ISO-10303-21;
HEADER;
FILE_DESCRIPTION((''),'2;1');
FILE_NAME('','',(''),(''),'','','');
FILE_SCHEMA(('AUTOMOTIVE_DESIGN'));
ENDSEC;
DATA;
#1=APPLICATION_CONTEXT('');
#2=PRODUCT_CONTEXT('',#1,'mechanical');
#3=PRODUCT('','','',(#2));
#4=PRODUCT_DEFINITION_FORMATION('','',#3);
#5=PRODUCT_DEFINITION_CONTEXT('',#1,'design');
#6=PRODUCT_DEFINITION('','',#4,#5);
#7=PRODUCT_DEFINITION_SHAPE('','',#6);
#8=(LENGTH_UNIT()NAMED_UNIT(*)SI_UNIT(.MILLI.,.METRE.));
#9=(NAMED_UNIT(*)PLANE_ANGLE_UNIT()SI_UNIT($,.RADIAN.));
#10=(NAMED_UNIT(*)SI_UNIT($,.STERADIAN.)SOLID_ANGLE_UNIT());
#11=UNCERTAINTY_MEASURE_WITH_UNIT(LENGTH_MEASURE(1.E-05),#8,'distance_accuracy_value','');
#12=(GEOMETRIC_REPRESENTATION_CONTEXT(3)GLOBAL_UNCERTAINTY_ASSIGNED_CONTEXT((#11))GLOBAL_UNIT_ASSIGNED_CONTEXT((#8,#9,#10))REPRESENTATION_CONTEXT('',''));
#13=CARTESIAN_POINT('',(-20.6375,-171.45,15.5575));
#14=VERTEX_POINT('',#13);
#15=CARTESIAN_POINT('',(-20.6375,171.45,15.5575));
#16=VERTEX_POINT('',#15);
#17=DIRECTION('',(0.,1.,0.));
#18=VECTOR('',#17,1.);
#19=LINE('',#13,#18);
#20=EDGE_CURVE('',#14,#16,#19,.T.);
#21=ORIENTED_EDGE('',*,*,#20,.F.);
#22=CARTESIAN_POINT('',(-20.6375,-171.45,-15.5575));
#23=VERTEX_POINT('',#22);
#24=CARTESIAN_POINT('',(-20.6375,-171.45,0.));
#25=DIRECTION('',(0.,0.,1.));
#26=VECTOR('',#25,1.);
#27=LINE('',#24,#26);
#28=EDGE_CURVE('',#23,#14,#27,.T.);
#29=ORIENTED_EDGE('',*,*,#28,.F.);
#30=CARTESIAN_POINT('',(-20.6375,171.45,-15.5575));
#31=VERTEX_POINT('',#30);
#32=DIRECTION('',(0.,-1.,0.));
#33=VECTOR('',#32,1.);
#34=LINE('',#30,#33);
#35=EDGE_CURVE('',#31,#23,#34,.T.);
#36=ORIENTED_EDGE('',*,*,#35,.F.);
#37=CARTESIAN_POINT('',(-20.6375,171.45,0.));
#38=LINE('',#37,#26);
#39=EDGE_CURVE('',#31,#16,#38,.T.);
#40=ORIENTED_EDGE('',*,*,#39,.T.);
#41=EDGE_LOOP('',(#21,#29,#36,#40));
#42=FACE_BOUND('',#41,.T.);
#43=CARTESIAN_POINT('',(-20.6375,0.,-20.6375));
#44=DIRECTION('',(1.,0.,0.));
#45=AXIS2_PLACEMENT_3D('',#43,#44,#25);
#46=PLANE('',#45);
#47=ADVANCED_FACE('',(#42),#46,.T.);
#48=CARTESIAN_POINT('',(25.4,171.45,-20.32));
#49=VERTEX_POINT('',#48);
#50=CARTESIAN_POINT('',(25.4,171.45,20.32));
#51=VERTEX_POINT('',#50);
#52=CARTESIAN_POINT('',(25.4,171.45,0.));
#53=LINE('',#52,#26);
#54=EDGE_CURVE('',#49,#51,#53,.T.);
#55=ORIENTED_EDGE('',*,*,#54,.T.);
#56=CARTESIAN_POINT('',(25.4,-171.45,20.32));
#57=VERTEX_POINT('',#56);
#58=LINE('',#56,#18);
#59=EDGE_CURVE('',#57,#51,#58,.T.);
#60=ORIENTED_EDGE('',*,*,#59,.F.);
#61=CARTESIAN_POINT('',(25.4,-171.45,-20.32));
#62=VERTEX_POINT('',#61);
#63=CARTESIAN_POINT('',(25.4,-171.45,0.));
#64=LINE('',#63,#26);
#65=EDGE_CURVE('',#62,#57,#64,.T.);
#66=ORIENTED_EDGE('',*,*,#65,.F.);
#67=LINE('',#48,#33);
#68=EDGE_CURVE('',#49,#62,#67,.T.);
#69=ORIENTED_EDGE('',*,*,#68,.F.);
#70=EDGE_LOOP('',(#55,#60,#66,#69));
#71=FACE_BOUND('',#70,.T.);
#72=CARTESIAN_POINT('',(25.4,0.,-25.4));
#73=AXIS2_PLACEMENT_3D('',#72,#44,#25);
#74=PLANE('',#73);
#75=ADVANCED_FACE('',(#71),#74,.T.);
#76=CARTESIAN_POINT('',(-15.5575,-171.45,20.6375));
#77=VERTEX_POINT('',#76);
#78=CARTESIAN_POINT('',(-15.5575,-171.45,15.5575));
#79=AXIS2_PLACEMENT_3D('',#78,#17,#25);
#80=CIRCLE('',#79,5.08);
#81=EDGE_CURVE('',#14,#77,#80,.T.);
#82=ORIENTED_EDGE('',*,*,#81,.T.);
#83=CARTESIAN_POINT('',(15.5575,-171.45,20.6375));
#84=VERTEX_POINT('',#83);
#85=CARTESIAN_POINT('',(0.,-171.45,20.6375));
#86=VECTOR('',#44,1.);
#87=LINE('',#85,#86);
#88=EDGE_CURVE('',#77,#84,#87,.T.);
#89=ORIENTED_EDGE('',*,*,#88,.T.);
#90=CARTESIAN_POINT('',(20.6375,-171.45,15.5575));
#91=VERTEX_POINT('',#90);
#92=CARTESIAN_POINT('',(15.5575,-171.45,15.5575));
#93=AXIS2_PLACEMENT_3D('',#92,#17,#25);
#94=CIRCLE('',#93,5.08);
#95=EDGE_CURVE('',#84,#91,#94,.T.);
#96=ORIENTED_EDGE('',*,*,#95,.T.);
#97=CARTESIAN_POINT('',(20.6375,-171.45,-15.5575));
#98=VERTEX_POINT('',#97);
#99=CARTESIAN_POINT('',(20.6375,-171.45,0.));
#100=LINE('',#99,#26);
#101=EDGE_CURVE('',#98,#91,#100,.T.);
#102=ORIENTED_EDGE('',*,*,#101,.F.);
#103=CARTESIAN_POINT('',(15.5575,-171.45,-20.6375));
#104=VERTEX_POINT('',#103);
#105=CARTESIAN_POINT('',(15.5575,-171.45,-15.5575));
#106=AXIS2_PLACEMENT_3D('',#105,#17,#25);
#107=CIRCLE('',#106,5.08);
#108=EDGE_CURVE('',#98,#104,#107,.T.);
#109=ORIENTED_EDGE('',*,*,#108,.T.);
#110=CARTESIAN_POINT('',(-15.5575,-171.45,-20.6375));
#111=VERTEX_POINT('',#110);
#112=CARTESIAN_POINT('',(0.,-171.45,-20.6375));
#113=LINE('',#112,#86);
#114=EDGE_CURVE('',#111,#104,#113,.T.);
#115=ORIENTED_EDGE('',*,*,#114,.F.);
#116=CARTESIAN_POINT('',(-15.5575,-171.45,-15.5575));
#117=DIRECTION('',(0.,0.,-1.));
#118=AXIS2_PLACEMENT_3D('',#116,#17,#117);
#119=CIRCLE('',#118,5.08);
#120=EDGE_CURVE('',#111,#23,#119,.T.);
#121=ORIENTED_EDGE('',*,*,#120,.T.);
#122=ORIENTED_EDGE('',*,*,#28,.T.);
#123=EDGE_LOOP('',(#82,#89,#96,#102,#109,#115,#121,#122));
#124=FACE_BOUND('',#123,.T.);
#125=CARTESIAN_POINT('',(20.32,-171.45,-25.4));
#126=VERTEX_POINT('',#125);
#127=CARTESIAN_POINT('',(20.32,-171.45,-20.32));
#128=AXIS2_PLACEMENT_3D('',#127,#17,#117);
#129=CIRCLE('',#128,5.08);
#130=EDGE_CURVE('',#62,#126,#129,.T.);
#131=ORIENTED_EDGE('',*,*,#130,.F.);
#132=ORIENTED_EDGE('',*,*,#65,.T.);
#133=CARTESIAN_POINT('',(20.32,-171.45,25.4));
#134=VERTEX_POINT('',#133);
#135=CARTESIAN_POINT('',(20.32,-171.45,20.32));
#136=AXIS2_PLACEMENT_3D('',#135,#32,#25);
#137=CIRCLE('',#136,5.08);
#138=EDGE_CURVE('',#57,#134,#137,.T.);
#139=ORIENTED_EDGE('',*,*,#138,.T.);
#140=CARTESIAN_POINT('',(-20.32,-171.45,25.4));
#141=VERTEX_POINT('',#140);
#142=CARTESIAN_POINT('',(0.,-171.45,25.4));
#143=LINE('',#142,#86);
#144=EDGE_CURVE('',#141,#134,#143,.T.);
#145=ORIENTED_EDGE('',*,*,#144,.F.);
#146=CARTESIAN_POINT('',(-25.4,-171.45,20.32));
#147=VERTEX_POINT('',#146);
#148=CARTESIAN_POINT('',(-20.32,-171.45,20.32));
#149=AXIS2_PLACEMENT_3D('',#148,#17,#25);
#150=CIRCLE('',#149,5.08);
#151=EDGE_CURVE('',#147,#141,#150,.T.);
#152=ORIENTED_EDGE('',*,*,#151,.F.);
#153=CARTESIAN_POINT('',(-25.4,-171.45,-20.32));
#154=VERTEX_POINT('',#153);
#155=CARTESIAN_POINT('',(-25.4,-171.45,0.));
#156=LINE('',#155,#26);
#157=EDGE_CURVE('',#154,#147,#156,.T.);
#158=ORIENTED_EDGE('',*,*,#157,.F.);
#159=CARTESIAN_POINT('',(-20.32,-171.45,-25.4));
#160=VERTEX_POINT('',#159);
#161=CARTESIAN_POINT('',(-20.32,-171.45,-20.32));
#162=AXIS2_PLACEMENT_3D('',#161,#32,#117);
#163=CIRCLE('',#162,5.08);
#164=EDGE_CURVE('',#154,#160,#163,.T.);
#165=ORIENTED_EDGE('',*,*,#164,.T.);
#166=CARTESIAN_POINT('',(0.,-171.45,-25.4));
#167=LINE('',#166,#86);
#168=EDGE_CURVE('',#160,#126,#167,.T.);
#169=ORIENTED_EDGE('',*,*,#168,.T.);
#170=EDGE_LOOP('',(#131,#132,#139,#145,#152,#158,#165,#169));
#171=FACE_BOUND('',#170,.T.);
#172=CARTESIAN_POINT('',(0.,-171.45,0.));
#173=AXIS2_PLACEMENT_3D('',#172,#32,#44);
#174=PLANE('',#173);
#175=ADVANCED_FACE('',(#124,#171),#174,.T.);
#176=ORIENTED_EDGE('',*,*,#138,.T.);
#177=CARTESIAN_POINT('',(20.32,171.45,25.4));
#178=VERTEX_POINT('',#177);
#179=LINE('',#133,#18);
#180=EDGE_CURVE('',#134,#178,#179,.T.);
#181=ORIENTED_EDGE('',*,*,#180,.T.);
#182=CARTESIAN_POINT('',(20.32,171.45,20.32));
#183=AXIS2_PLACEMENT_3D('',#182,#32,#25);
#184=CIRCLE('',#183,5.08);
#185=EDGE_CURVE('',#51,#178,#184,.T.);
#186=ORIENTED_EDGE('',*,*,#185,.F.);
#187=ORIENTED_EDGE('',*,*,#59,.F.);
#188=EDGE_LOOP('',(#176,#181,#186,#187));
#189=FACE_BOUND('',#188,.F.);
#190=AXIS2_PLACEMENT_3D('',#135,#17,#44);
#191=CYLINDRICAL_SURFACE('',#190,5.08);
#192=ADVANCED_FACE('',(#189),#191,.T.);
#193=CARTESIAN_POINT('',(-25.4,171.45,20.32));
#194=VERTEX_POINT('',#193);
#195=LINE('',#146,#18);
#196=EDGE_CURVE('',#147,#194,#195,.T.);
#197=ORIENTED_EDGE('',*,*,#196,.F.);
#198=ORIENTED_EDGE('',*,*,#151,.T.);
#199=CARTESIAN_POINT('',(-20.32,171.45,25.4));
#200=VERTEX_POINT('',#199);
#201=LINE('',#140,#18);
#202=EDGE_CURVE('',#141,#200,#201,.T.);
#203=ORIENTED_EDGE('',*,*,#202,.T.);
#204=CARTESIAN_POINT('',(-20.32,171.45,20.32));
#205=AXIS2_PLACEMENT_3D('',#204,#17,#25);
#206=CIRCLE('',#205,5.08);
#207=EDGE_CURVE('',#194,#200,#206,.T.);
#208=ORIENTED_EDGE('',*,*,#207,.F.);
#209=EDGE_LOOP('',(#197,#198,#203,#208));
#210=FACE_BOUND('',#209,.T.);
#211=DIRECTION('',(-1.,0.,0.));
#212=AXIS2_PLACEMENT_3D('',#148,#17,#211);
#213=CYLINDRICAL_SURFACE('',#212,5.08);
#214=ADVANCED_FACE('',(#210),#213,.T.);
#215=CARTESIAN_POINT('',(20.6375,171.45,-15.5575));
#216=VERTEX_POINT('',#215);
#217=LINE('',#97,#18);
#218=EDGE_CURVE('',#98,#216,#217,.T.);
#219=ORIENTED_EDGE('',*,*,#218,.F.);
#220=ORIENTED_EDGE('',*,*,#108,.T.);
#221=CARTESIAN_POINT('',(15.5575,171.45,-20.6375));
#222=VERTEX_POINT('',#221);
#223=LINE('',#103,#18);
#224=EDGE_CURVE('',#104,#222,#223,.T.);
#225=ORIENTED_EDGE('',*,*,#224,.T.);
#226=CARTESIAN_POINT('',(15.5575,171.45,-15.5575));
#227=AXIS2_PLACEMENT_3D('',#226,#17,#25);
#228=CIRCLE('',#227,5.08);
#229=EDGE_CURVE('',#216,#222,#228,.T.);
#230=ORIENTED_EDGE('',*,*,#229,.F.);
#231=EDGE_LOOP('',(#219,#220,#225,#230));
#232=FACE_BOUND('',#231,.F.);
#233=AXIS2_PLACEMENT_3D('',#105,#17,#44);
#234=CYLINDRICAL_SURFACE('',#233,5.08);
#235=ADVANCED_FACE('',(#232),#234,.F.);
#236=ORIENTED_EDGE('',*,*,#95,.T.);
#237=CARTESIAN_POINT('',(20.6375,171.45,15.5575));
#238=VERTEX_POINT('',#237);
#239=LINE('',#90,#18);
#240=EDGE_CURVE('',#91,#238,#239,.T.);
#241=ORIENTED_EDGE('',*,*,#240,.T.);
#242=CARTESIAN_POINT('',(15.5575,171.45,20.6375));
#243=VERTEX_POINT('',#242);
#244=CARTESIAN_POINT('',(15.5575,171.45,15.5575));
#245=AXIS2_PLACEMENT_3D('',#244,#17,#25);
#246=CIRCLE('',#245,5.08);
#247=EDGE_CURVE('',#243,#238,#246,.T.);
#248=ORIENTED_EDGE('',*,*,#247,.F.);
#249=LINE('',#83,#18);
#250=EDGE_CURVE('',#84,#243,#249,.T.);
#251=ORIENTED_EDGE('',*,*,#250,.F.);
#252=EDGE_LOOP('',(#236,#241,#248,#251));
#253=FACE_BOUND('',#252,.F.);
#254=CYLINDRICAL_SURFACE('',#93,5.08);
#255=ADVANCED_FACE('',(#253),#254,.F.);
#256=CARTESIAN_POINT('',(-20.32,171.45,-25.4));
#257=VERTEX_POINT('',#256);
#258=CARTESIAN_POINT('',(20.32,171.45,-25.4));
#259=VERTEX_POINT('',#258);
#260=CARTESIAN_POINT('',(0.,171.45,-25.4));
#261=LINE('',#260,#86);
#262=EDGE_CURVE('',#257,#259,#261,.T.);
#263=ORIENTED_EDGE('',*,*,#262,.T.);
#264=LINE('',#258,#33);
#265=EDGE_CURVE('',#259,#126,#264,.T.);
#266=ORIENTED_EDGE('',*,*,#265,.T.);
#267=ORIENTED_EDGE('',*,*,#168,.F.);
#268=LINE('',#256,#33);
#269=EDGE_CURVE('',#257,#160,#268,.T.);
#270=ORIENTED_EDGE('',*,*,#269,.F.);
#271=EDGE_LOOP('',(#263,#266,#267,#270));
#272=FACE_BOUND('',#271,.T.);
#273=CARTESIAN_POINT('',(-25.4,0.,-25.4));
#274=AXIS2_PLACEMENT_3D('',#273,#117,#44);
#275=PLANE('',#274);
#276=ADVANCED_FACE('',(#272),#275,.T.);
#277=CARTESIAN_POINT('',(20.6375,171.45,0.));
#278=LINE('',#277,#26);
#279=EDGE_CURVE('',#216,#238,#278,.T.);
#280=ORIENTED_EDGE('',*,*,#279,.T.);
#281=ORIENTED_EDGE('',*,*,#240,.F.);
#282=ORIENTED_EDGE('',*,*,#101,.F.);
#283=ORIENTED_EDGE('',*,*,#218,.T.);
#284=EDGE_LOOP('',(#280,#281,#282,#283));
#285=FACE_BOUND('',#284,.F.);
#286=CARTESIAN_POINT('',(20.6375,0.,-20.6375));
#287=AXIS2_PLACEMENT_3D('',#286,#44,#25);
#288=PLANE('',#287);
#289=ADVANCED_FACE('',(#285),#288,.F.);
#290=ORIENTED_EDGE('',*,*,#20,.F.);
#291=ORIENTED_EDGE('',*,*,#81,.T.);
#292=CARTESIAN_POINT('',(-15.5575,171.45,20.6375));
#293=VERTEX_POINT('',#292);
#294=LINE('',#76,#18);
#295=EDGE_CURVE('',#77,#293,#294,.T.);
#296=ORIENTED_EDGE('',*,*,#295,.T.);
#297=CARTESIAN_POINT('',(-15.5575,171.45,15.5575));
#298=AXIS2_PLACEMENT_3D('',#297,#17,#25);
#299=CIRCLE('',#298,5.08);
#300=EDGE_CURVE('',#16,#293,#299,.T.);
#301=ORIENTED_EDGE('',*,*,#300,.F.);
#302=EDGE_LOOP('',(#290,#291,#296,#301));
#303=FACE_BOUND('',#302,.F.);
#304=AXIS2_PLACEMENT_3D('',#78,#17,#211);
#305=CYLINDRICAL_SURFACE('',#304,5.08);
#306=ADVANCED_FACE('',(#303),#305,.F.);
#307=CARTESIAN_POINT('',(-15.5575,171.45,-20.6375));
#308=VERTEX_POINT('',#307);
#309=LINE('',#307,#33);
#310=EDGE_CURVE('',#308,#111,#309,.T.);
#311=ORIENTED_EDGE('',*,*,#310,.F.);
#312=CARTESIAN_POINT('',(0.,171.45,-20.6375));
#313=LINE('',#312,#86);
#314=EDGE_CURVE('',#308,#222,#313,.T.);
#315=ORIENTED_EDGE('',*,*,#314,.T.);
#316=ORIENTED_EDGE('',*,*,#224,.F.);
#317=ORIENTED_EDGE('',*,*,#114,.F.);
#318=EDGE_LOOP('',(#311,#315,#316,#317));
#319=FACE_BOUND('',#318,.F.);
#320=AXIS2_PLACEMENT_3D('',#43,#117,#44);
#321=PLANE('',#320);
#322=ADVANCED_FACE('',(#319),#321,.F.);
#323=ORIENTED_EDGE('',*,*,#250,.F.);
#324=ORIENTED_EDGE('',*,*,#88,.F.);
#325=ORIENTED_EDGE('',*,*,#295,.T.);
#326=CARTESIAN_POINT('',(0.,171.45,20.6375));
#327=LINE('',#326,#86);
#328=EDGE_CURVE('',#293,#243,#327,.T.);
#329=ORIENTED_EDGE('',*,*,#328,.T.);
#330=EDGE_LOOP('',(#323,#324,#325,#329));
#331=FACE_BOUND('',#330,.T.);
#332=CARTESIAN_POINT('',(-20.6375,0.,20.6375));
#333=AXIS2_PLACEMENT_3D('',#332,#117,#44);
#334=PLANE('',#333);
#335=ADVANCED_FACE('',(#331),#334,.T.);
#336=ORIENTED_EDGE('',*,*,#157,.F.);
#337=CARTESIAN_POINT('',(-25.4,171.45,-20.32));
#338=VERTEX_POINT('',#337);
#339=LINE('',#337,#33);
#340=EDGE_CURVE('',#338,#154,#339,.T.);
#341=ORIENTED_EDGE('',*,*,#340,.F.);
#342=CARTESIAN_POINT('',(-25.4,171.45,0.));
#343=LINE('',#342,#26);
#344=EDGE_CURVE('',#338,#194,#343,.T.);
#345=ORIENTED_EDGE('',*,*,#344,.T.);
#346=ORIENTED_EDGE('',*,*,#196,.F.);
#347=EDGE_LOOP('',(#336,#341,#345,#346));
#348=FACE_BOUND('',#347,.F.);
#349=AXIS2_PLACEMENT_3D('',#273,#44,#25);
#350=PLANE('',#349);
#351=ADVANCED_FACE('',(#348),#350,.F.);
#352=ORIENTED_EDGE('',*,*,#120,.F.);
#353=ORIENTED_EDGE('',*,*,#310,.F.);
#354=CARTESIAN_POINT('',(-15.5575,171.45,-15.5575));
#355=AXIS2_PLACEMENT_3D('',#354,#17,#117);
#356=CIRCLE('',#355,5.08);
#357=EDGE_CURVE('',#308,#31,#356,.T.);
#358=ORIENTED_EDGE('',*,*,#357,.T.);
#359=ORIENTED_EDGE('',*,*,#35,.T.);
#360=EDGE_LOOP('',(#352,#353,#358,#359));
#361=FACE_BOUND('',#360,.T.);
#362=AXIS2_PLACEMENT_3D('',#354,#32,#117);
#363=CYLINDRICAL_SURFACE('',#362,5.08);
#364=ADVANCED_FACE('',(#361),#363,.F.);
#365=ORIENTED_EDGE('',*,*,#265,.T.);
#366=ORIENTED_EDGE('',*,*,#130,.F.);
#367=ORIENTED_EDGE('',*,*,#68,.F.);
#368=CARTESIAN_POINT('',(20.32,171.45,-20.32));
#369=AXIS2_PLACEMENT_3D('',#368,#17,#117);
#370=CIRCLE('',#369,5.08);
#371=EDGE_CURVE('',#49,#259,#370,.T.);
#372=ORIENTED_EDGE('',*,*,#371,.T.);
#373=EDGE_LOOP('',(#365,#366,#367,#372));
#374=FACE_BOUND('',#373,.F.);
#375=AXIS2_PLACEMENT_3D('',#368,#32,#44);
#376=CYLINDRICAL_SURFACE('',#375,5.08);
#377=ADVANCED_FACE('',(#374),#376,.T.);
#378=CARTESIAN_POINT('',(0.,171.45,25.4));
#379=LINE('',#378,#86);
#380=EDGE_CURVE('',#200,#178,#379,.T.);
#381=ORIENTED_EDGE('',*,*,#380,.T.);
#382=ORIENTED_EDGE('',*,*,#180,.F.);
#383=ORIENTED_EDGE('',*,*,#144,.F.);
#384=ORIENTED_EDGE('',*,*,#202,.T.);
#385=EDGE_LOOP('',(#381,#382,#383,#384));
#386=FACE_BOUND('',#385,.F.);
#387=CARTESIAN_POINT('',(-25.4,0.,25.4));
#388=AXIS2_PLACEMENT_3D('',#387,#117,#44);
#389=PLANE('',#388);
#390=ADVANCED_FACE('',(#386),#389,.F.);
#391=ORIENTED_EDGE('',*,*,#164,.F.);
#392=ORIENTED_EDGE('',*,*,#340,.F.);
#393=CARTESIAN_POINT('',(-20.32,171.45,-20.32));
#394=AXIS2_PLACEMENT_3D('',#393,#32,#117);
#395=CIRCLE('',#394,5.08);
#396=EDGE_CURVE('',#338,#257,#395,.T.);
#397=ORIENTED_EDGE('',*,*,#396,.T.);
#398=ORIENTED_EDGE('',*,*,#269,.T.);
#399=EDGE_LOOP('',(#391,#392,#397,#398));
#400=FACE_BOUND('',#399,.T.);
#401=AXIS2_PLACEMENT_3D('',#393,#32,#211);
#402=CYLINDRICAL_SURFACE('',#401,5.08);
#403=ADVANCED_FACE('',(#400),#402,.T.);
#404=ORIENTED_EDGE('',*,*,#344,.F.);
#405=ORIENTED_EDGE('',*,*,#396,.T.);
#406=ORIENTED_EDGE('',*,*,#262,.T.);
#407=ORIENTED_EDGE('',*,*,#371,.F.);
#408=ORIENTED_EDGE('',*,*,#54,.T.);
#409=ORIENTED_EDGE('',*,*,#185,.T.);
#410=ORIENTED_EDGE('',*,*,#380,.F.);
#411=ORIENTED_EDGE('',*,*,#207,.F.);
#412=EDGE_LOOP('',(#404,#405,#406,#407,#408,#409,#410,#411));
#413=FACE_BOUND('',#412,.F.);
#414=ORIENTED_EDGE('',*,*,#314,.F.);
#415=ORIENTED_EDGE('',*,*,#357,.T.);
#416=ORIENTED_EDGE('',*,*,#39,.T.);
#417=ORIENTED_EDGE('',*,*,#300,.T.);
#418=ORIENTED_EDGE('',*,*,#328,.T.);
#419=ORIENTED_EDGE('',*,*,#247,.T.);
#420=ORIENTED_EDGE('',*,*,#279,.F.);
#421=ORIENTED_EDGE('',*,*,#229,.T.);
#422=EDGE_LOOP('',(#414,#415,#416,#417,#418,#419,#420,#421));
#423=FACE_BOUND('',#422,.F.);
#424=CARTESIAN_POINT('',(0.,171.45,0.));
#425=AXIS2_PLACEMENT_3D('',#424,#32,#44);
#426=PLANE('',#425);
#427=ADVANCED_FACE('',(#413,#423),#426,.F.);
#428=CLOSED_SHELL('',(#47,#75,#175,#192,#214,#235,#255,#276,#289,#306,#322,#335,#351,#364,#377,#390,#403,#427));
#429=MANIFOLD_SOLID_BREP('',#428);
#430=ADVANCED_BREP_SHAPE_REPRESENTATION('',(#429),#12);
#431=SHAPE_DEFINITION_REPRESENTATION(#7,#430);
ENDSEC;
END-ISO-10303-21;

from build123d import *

# Parameters (mm, degrees)
F0_W     = 50.8
F0_H     = 50.8
F0_W_2   = 41.275
F0_H_2   = 41.275
F1_DEPTH = 171.45
F2_R     = 5.08
F3_R     = 5.08


with BuildPart() as f1:
    # F0 (on Front) → F1 (new body, symmetric)
    with BuildSketch(Plane.XZ):
        Rectangle(F0_W, F0_H)
        Rectangle(F0_W_2, F0_H_2, mode=Mode.SUBTRACT)
    extrude(amount=F1_DEPTH, both=True)

    # F2
    f2_edges = [f1.edges().sort_by_distance(p)[0] for p in [
        (-20.6375, 0, 20.6375),
        (-25.4, 0, -25.4),
        (25.4, 0, -25.4),
        (20.6375, 0, 20.6375),
        (25.4, 0, 25.4),
        (-25.4, 0, 25.4),
    ]]
    fillet(f2_edges, radius=F2_R)

    # F3
    f3_edges = [f1.edges().sort_by_distance(p)[0] for p in [
        (-20.6375, 0, -20.6375),
        (20.6375, 0, -20.6375),
    ]]
    fillet(f3_edges, radius=F3_R)


solid = f1.part
